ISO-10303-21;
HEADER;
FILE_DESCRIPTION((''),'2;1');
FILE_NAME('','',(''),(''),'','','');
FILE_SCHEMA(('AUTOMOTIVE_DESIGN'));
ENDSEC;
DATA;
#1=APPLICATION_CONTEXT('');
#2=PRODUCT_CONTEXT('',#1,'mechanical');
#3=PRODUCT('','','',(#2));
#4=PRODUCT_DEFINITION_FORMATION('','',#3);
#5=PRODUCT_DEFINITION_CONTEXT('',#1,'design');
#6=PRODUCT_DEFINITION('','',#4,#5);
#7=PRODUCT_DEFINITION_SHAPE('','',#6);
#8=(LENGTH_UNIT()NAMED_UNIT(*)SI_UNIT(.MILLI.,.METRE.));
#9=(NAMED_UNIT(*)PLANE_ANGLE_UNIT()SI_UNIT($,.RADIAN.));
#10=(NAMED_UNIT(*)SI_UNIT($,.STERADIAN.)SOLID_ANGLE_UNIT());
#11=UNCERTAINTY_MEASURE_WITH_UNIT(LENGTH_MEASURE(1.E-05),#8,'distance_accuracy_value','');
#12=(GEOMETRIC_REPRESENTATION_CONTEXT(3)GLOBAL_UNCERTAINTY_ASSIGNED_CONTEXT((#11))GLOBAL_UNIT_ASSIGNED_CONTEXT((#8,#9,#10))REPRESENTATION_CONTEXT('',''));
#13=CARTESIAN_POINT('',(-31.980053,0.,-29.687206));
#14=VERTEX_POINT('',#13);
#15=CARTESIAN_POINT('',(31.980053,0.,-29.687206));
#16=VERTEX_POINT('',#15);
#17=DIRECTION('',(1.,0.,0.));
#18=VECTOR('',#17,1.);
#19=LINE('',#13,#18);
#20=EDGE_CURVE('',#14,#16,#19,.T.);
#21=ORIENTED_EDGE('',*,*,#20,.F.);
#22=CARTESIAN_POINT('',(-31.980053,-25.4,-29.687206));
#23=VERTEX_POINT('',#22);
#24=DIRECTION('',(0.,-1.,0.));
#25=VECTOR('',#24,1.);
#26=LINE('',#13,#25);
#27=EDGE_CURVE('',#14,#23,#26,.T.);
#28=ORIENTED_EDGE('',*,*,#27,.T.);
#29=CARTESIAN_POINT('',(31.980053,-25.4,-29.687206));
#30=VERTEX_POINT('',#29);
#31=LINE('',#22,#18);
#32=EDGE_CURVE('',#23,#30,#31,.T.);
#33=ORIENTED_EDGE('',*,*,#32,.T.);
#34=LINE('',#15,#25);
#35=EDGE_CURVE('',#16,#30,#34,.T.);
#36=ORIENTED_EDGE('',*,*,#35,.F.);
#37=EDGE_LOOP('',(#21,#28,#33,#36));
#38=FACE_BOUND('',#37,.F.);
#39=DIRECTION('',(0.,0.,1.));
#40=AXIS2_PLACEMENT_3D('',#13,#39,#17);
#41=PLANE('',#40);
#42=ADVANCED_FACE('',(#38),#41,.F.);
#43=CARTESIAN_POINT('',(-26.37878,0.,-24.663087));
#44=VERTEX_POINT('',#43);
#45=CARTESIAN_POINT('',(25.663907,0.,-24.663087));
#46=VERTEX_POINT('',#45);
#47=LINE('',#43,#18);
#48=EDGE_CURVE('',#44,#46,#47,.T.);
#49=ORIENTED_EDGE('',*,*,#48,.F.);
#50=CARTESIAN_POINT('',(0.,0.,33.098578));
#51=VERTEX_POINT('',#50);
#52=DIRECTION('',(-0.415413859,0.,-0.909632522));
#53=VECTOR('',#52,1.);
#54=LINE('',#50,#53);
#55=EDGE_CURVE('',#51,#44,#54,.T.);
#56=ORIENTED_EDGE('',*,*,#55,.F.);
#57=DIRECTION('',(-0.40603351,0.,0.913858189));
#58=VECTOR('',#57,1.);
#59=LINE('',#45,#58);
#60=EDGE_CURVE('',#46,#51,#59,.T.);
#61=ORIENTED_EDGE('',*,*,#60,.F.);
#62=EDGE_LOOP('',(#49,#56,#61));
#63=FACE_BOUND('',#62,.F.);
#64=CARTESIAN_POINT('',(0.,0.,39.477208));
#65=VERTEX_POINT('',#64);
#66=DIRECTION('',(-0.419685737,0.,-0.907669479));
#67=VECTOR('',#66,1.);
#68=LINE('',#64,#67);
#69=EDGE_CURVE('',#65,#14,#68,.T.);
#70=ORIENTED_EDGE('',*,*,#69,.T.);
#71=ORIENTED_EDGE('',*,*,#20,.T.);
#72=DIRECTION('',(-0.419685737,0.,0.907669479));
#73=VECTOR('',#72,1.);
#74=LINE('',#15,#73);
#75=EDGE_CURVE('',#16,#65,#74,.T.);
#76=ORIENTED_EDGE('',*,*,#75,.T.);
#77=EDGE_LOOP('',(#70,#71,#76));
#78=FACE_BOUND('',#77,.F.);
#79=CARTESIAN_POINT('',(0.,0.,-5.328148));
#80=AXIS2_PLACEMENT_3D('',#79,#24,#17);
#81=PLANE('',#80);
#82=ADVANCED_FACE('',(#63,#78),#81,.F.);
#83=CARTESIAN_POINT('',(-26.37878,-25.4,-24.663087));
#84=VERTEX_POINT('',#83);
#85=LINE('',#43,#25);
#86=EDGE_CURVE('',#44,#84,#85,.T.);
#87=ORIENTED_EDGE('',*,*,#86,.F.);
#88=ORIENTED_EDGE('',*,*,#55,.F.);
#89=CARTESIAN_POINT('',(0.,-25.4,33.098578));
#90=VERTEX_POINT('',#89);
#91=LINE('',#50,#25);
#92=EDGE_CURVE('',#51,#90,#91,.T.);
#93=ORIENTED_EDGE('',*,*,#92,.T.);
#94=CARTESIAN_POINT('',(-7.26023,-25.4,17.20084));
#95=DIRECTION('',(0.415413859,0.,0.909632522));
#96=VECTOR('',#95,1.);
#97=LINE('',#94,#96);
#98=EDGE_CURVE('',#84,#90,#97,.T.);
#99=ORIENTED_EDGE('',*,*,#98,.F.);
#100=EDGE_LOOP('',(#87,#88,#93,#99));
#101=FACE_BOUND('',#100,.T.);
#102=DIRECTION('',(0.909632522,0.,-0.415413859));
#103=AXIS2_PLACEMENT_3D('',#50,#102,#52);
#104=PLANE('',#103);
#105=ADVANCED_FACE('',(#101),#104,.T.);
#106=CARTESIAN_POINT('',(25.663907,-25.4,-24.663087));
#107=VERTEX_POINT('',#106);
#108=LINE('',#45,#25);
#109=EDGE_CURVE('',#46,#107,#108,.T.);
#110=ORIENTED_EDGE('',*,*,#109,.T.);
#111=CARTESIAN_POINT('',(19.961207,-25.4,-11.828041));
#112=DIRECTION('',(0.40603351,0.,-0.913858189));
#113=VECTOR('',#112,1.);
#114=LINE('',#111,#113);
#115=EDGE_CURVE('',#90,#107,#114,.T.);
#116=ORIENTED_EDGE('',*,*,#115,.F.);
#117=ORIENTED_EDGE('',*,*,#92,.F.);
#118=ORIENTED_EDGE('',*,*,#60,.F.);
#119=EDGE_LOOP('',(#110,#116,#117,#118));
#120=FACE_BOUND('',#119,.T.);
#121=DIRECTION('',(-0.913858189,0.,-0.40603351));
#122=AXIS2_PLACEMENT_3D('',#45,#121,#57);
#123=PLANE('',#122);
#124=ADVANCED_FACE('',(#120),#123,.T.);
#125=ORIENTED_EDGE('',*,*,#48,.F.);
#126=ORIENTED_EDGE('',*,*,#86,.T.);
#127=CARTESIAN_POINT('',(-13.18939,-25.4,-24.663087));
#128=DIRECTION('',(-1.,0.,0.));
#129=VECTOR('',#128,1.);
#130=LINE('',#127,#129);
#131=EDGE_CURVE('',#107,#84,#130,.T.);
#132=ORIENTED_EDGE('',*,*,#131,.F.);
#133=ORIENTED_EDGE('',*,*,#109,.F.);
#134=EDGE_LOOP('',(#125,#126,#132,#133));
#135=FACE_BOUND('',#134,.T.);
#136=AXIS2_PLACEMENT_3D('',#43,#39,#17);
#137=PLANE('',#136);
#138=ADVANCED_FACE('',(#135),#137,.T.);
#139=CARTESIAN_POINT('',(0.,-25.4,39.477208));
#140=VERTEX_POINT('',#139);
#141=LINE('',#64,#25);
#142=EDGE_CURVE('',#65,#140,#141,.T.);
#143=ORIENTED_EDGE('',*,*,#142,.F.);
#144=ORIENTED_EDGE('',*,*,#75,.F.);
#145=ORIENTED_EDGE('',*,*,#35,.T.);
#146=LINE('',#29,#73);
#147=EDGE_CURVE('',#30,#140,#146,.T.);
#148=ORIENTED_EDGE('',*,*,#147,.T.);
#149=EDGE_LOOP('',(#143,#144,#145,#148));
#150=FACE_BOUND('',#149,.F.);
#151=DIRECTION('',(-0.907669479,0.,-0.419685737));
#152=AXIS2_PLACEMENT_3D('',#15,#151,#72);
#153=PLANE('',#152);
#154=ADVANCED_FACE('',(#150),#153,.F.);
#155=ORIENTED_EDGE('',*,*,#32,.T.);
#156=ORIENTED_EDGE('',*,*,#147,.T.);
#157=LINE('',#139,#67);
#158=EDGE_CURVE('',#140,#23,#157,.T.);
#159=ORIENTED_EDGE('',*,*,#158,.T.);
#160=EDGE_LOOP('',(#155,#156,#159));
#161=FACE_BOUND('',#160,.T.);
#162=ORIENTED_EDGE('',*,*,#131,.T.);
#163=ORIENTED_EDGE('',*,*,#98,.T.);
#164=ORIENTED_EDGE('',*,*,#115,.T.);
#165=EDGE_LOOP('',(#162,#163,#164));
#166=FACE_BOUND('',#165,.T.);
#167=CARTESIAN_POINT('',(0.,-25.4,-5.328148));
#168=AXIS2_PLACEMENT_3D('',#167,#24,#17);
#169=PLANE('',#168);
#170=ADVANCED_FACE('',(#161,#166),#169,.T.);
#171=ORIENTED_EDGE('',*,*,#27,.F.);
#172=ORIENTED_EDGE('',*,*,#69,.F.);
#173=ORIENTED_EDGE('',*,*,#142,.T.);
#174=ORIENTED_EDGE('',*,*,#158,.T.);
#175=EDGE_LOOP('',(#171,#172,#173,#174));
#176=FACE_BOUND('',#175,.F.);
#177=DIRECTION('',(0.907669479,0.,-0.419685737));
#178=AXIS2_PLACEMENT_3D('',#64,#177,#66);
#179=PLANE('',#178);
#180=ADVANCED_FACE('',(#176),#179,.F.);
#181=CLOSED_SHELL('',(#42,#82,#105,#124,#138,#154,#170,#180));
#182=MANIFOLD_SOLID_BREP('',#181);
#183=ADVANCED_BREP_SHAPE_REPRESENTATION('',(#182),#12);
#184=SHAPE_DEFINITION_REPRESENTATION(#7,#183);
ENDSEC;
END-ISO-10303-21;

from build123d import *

# Parameters (mm, degrees)
F1_DEPTH = 25.4
F3_DEPTH = 50.8


with BuildPart() as f1:
    # F0 (on Front) → F1 (new body)
    with BuildSketch(Plane.XZ):
        Polygon((31.980053, -29.687206), (0, 39.477208), (-31.980053, -29.687206), align=None)
    extrude(amount=F1_DEPTH)

    # F2 (on Front) → F3 (cut)
    with BuildSketch(Plane.XZ):
        Polygon((25.663907, -24.663087), (0, 33.098578), (-26.37878, -24.663087), align=None)
    extrude(amount=F3_DEPTH, mode=Mode.SUBTRACT)


solid = f1.part
